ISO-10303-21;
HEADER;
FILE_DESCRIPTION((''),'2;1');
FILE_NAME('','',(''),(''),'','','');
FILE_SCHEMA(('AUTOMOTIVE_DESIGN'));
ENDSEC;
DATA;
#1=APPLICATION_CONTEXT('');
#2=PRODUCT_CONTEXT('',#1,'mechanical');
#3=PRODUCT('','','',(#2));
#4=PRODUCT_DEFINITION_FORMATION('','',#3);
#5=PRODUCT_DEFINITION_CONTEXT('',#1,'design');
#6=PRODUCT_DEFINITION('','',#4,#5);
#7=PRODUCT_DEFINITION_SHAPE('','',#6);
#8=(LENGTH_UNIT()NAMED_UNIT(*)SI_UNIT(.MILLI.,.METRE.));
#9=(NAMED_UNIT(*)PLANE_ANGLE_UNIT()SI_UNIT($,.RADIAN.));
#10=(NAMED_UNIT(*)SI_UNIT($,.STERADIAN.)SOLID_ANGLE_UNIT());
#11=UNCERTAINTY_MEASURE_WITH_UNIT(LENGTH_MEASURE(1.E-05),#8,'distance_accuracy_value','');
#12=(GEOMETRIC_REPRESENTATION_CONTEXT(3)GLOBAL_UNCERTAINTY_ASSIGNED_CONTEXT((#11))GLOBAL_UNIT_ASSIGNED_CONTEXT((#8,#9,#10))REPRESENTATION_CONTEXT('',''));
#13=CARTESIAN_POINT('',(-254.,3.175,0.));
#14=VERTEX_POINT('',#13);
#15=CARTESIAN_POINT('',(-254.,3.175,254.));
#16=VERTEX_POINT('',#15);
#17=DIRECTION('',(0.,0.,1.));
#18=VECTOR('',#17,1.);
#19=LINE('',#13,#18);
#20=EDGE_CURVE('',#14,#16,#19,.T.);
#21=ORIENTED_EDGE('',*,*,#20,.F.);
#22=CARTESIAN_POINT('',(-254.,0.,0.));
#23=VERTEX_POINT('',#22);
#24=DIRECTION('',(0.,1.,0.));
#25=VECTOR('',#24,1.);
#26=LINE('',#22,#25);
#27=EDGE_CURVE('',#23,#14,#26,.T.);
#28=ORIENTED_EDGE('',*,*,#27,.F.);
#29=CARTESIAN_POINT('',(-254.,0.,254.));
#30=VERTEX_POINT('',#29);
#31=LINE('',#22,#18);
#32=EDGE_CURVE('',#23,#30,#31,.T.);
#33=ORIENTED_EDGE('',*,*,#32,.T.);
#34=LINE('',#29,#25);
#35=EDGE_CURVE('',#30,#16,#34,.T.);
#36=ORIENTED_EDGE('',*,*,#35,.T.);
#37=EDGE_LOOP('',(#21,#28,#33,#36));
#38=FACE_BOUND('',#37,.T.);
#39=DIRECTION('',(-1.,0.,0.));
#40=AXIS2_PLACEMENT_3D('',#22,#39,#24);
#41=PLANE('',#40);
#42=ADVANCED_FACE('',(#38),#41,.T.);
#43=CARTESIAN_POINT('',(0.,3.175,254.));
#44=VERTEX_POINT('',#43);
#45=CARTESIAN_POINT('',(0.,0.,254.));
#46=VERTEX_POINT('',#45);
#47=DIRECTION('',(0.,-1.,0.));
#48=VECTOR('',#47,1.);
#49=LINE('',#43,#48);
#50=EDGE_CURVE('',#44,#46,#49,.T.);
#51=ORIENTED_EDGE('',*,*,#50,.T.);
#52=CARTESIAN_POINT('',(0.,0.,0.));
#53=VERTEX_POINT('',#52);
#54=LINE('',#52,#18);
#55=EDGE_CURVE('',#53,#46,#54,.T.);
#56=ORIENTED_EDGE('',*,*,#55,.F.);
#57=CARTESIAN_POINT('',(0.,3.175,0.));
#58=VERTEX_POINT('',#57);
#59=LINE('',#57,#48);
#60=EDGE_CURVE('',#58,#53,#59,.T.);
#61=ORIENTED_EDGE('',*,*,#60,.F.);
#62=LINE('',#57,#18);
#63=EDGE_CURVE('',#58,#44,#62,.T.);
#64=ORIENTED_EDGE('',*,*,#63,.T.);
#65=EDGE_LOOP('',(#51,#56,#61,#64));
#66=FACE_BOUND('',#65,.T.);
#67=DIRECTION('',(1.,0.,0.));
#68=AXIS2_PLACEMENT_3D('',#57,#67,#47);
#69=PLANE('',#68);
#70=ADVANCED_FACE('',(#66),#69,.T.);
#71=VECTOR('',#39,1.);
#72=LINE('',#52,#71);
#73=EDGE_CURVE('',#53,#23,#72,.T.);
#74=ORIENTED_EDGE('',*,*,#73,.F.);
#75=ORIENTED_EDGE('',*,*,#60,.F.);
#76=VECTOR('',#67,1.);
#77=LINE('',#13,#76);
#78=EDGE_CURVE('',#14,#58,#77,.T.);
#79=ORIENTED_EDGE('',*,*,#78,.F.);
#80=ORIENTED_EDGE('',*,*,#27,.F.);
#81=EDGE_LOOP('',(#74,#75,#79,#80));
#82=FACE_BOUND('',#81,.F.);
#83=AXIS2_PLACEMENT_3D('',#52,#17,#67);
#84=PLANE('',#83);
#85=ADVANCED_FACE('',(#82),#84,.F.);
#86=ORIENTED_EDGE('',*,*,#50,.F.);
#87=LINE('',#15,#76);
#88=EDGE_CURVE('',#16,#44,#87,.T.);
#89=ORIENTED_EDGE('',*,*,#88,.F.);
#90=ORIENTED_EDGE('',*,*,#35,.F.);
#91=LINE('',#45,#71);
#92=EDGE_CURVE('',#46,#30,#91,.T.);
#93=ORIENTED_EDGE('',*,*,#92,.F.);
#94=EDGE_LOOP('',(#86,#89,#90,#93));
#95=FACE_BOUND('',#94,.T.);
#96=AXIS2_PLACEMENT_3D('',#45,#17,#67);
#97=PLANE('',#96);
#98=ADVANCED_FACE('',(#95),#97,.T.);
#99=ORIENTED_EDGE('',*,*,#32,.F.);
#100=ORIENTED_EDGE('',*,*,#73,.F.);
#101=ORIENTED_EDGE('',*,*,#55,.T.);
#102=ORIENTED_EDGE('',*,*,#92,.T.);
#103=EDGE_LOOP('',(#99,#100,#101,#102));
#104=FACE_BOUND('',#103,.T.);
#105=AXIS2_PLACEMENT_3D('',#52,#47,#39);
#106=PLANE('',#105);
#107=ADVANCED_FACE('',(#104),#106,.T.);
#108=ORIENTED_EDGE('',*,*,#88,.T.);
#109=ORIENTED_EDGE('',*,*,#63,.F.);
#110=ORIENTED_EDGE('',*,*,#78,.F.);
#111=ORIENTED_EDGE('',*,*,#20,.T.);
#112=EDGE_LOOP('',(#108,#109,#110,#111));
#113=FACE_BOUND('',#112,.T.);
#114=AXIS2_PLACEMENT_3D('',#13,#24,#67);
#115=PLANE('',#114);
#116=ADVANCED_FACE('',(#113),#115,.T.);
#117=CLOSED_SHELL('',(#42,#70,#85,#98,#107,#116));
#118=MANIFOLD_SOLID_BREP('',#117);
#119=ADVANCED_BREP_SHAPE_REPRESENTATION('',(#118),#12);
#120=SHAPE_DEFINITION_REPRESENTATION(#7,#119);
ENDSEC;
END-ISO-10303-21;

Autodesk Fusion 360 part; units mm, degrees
sketch "Sketch1" plane through (0, 0, 0) normal (0, 0, 1) x (1, 0, 0)
  line L0 (0, 0) -> (-254, 0)
  line L1 (-254, 0) -> (-254, 3.175)
  line L2 (-254, 3.175) -> (0, 3.175)
  line L3 (0, 3.175) -> (0, 0)
  dimension "d1" = 254
  dimension "d2" = 3.175
extrude "Extrude1" add sketch "Sketch1" along normal blind 254
